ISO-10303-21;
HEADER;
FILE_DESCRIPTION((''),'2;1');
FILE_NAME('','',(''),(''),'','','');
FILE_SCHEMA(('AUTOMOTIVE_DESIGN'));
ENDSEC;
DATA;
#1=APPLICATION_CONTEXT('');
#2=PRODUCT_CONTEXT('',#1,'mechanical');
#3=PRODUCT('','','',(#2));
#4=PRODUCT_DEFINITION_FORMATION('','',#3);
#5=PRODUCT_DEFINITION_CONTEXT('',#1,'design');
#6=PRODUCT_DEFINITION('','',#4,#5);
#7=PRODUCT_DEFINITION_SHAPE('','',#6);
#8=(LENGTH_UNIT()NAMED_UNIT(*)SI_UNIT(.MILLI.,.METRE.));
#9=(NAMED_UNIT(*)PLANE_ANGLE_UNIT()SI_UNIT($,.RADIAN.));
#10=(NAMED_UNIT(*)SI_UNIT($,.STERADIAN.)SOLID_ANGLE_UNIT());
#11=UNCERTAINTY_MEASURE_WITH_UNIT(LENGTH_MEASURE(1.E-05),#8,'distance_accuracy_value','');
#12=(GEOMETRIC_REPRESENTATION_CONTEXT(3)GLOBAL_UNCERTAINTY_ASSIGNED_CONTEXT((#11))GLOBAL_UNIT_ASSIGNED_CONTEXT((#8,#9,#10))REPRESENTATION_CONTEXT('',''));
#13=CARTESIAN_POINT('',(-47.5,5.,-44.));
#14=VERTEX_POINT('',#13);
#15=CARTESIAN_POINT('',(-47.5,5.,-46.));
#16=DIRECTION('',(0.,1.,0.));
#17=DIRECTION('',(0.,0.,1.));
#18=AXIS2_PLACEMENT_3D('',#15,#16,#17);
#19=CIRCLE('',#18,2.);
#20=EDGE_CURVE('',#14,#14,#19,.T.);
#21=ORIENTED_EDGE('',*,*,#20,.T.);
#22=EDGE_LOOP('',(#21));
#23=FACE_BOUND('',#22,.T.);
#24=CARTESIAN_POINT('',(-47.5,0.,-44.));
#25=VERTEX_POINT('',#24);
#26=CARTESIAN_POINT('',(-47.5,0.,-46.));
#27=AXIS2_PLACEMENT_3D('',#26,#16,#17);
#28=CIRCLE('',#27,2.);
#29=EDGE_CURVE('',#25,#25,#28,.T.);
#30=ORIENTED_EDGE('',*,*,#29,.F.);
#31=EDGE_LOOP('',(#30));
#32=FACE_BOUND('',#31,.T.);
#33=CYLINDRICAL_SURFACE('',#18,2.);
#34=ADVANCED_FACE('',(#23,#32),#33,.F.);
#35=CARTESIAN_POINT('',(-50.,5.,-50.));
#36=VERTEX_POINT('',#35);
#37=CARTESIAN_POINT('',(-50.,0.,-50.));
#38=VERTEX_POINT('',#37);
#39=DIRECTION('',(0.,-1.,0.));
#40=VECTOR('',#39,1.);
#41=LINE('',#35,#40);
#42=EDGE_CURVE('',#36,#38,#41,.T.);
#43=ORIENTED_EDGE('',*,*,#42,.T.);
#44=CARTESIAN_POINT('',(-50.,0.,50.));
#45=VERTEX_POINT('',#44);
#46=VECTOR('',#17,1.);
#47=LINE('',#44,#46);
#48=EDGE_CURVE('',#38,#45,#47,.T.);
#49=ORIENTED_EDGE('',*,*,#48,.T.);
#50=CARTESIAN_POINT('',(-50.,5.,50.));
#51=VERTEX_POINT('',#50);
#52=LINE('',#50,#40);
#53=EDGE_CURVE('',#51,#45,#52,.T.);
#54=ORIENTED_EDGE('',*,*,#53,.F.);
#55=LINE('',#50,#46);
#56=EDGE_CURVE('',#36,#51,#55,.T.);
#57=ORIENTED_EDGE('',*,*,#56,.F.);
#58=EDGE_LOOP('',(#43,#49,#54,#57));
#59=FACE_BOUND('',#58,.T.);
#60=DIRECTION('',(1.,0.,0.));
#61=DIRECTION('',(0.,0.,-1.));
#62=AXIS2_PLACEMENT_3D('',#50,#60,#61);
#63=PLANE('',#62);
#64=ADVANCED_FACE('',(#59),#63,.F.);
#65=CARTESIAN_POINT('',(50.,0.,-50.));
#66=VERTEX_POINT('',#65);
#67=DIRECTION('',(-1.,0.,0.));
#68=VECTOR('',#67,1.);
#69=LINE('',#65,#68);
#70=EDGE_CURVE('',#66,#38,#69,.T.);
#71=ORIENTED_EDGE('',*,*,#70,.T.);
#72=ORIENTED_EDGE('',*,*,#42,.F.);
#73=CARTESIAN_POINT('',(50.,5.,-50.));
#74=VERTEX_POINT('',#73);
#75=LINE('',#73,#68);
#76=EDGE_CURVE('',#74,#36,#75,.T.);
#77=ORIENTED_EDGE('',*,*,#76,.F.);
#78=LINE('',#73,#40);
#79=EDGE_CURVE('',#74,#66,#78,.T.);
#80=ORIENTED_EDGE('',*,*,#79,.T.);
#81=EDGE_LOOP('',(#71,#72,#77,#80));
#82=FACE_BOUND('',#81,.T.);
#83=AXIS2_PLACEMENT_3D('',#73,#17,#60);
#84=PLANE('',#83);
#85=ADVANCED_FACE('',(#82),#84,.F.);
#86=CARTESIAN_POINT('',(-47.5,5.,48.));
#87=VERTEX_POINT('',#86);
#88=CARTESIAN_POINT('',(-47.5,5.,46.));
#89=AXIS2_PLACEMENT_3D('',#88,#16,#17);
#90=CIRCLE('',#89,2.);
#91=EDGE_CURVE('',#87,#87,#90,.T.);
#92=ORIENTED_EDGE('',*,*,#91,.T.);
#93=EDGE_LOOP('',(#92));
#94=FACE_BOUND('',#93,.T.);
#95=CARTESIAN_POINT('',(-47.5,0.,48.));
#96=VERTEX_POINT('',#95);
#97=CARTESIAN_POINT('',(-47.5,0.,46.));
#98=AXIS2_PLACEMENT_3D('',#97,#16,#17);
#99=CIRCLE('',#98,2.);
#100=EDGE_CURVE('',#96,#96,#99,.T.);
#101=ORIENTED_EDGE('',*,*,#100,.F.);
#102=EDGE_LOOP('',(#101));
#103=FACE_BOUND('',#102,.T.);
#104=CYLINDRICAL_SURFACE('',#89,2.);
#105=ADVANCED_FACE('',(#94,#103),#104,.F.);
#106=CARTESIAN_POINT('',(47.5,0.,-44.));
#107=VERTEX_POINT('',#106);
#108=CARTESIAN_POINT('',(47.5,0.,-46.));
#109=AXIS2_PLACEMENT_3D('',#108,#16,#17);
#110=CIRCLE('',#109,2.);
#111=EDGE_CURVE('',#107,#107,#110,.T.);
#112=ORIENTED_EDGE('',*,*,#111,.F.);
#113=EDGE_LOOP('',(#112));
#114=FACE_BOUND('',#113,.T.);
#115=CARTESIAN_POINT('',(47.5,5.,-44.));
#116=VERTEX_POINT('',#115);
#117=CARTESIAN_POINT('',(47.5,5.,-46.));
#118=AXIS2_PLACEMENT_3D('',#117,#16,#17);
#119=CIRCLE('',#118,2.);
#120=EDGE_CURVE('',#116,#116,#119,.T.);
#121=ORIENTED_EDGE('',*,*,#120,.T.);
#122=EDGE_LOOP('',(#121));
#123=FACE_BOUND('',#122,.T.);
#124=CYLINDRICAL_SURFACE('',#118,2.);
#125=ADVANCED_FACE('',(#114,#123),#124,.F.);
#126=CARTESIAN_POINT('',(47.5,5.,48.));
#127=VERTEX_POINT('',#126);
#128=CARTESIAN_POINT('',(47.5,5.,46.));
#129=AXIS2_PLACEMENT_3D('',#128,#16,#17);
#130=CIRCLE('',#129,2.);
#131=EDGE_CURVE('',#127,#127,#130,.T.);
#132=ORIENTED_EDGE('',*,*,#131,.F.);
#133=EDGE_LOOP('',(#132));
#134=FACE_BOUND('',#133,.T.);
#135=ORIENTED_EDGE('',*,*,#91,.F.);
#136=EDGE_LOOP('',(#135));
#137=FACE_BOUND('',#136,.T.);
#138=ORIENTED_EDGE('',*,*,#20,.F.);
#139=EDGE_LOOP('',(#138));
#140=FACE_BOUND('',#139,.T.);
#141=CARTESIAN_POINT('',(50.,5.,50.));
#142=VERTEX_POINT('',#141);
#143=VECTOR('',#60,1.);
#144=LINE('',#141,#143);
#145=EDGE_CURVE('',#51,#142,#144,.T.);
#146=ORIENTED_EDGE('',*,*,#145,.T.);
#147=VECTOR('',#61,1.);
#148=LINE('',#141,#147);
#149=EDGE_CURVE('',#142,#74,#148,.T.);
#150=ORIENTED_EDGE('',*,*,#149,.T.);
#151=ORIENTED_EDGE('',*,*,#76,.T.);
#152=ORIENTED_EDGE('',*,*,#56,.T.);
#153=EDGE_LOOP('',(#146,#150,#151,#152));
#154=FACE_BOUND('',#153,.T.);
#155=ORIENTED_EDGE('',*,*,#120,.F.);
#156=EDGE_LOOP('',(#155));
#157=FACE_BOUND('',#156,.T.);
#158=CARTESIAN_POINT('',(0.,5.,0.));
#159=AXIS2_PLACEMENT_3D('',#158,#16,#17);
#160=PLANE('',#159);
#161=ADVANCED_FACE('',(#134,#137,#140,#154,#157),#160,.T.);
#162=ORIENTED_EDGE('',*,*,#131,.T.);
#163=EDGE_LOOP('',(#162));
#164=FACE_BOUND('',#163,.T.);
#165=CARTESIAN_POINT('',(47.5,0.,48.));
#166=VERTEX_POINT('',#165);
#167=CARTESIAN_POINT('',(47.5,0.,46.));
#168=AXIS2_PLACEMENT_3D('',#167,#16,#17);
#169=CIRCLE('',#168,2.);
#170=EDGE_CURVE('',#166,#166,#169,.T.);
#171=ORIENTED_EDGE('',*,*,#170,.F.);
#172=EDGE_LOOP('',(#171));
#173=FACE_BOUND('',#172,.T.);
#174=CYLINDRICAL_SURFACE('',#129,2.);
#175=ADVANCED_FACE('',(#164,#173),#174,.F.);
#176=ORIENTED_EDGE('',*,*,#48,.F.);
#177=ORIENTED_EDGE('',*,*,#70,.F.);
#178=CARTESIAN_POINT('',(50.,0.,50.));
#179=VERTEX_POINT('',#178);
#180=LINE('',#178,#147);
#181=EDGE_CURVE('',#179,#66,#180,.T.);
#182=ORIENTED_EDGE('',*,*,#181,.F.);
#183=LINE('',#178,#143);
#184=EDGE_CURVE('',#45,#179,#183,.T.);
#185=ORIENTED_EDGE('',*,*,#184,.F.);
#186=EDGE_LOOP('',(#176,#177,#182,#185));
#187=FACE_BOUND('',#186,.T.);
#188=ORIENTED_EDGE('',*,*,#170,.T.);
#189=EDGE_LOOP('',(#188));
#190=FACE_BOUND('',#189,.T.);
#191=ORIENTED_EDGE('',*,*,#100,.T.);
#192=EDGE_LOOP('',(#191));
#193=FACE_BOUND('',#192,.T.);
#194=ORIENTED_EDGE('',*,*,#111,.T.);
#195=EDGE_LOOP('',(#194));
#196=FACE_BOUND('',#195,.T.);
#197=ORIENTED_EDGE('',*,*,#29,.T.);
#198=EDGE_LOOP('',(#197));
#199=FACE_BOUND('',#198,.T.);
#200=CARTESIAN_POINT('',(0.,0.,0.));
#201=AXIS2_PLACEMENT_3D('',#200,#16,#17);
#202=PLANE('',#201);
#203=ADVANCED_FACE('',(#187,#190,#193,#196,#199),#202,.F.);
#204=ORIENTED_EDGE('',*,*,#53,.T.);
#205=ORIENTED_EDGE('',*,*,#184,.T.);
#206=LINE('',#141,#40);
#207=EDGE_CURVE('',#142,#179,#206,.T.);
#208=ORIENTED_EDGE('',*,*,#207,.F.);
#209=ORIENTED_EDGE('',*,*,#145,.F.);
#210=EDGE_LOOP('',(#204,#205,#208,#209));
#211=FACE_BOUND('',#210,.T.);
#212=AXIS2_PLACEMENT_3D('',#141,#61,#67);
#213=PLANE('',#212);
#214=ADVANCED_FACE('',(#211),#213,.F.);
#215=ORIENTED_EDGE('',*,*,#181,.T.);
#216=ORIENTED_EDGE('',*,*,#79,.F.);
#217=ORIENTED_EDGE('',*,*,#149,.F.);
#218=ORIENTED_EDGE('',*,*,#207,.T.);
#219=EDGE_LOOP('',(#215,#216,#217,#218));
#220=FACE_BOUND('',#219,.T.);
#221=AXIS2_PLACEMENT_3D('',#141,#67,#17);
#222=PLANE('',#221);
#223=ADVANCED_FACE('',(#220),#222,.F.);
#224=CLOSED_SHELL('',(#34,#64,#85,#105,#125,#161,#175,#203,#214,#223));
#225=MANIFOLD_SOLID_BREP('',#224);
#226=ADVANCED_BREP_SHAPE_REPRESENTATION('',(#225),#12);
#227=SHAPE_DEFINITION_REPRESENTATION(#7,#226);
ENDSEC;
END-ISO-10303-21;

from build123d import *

# Parameters (mm, degrees)
SKETCH1_W                 = 100
SKETCH1_H                 = 100
BOSS_EXTRUDE1_DEPTH       = 5
F_4_0MM_DOWEL_HOLE1_D     = 4
F_4_0MM_DOWEL_HOLE1_DEPTH = 5


with BuildPart() as part:
    # Sketch1 → Boss-Extrude1 (new body)
    with BuildSketch(Plane(origin=(0, 0, 0), x_dir=(1, 0, 0), z_dir=(0, 1, 0))):
        Rectangle(SKETCH1_W, SKETCH1_H)
    extrude(amount=BOSS_EXTRUDE1_DEPTH)

    # Ø4.0mm Dowel Hole1
    with Locations(Plane(origin=(-47.5, 5, -46), x_dir=(0, 0, 1), z_dir=(0, 1, 0))):
        with Locations((0, 0), (0, 95), (92, 95), (92, 0)):
            Hole(F_4_0MM_DOWEL_HOLE1_D / 2, depth=F_4_0MM_DOWEL_HOLE1_DEPTH)


solid = part.part
